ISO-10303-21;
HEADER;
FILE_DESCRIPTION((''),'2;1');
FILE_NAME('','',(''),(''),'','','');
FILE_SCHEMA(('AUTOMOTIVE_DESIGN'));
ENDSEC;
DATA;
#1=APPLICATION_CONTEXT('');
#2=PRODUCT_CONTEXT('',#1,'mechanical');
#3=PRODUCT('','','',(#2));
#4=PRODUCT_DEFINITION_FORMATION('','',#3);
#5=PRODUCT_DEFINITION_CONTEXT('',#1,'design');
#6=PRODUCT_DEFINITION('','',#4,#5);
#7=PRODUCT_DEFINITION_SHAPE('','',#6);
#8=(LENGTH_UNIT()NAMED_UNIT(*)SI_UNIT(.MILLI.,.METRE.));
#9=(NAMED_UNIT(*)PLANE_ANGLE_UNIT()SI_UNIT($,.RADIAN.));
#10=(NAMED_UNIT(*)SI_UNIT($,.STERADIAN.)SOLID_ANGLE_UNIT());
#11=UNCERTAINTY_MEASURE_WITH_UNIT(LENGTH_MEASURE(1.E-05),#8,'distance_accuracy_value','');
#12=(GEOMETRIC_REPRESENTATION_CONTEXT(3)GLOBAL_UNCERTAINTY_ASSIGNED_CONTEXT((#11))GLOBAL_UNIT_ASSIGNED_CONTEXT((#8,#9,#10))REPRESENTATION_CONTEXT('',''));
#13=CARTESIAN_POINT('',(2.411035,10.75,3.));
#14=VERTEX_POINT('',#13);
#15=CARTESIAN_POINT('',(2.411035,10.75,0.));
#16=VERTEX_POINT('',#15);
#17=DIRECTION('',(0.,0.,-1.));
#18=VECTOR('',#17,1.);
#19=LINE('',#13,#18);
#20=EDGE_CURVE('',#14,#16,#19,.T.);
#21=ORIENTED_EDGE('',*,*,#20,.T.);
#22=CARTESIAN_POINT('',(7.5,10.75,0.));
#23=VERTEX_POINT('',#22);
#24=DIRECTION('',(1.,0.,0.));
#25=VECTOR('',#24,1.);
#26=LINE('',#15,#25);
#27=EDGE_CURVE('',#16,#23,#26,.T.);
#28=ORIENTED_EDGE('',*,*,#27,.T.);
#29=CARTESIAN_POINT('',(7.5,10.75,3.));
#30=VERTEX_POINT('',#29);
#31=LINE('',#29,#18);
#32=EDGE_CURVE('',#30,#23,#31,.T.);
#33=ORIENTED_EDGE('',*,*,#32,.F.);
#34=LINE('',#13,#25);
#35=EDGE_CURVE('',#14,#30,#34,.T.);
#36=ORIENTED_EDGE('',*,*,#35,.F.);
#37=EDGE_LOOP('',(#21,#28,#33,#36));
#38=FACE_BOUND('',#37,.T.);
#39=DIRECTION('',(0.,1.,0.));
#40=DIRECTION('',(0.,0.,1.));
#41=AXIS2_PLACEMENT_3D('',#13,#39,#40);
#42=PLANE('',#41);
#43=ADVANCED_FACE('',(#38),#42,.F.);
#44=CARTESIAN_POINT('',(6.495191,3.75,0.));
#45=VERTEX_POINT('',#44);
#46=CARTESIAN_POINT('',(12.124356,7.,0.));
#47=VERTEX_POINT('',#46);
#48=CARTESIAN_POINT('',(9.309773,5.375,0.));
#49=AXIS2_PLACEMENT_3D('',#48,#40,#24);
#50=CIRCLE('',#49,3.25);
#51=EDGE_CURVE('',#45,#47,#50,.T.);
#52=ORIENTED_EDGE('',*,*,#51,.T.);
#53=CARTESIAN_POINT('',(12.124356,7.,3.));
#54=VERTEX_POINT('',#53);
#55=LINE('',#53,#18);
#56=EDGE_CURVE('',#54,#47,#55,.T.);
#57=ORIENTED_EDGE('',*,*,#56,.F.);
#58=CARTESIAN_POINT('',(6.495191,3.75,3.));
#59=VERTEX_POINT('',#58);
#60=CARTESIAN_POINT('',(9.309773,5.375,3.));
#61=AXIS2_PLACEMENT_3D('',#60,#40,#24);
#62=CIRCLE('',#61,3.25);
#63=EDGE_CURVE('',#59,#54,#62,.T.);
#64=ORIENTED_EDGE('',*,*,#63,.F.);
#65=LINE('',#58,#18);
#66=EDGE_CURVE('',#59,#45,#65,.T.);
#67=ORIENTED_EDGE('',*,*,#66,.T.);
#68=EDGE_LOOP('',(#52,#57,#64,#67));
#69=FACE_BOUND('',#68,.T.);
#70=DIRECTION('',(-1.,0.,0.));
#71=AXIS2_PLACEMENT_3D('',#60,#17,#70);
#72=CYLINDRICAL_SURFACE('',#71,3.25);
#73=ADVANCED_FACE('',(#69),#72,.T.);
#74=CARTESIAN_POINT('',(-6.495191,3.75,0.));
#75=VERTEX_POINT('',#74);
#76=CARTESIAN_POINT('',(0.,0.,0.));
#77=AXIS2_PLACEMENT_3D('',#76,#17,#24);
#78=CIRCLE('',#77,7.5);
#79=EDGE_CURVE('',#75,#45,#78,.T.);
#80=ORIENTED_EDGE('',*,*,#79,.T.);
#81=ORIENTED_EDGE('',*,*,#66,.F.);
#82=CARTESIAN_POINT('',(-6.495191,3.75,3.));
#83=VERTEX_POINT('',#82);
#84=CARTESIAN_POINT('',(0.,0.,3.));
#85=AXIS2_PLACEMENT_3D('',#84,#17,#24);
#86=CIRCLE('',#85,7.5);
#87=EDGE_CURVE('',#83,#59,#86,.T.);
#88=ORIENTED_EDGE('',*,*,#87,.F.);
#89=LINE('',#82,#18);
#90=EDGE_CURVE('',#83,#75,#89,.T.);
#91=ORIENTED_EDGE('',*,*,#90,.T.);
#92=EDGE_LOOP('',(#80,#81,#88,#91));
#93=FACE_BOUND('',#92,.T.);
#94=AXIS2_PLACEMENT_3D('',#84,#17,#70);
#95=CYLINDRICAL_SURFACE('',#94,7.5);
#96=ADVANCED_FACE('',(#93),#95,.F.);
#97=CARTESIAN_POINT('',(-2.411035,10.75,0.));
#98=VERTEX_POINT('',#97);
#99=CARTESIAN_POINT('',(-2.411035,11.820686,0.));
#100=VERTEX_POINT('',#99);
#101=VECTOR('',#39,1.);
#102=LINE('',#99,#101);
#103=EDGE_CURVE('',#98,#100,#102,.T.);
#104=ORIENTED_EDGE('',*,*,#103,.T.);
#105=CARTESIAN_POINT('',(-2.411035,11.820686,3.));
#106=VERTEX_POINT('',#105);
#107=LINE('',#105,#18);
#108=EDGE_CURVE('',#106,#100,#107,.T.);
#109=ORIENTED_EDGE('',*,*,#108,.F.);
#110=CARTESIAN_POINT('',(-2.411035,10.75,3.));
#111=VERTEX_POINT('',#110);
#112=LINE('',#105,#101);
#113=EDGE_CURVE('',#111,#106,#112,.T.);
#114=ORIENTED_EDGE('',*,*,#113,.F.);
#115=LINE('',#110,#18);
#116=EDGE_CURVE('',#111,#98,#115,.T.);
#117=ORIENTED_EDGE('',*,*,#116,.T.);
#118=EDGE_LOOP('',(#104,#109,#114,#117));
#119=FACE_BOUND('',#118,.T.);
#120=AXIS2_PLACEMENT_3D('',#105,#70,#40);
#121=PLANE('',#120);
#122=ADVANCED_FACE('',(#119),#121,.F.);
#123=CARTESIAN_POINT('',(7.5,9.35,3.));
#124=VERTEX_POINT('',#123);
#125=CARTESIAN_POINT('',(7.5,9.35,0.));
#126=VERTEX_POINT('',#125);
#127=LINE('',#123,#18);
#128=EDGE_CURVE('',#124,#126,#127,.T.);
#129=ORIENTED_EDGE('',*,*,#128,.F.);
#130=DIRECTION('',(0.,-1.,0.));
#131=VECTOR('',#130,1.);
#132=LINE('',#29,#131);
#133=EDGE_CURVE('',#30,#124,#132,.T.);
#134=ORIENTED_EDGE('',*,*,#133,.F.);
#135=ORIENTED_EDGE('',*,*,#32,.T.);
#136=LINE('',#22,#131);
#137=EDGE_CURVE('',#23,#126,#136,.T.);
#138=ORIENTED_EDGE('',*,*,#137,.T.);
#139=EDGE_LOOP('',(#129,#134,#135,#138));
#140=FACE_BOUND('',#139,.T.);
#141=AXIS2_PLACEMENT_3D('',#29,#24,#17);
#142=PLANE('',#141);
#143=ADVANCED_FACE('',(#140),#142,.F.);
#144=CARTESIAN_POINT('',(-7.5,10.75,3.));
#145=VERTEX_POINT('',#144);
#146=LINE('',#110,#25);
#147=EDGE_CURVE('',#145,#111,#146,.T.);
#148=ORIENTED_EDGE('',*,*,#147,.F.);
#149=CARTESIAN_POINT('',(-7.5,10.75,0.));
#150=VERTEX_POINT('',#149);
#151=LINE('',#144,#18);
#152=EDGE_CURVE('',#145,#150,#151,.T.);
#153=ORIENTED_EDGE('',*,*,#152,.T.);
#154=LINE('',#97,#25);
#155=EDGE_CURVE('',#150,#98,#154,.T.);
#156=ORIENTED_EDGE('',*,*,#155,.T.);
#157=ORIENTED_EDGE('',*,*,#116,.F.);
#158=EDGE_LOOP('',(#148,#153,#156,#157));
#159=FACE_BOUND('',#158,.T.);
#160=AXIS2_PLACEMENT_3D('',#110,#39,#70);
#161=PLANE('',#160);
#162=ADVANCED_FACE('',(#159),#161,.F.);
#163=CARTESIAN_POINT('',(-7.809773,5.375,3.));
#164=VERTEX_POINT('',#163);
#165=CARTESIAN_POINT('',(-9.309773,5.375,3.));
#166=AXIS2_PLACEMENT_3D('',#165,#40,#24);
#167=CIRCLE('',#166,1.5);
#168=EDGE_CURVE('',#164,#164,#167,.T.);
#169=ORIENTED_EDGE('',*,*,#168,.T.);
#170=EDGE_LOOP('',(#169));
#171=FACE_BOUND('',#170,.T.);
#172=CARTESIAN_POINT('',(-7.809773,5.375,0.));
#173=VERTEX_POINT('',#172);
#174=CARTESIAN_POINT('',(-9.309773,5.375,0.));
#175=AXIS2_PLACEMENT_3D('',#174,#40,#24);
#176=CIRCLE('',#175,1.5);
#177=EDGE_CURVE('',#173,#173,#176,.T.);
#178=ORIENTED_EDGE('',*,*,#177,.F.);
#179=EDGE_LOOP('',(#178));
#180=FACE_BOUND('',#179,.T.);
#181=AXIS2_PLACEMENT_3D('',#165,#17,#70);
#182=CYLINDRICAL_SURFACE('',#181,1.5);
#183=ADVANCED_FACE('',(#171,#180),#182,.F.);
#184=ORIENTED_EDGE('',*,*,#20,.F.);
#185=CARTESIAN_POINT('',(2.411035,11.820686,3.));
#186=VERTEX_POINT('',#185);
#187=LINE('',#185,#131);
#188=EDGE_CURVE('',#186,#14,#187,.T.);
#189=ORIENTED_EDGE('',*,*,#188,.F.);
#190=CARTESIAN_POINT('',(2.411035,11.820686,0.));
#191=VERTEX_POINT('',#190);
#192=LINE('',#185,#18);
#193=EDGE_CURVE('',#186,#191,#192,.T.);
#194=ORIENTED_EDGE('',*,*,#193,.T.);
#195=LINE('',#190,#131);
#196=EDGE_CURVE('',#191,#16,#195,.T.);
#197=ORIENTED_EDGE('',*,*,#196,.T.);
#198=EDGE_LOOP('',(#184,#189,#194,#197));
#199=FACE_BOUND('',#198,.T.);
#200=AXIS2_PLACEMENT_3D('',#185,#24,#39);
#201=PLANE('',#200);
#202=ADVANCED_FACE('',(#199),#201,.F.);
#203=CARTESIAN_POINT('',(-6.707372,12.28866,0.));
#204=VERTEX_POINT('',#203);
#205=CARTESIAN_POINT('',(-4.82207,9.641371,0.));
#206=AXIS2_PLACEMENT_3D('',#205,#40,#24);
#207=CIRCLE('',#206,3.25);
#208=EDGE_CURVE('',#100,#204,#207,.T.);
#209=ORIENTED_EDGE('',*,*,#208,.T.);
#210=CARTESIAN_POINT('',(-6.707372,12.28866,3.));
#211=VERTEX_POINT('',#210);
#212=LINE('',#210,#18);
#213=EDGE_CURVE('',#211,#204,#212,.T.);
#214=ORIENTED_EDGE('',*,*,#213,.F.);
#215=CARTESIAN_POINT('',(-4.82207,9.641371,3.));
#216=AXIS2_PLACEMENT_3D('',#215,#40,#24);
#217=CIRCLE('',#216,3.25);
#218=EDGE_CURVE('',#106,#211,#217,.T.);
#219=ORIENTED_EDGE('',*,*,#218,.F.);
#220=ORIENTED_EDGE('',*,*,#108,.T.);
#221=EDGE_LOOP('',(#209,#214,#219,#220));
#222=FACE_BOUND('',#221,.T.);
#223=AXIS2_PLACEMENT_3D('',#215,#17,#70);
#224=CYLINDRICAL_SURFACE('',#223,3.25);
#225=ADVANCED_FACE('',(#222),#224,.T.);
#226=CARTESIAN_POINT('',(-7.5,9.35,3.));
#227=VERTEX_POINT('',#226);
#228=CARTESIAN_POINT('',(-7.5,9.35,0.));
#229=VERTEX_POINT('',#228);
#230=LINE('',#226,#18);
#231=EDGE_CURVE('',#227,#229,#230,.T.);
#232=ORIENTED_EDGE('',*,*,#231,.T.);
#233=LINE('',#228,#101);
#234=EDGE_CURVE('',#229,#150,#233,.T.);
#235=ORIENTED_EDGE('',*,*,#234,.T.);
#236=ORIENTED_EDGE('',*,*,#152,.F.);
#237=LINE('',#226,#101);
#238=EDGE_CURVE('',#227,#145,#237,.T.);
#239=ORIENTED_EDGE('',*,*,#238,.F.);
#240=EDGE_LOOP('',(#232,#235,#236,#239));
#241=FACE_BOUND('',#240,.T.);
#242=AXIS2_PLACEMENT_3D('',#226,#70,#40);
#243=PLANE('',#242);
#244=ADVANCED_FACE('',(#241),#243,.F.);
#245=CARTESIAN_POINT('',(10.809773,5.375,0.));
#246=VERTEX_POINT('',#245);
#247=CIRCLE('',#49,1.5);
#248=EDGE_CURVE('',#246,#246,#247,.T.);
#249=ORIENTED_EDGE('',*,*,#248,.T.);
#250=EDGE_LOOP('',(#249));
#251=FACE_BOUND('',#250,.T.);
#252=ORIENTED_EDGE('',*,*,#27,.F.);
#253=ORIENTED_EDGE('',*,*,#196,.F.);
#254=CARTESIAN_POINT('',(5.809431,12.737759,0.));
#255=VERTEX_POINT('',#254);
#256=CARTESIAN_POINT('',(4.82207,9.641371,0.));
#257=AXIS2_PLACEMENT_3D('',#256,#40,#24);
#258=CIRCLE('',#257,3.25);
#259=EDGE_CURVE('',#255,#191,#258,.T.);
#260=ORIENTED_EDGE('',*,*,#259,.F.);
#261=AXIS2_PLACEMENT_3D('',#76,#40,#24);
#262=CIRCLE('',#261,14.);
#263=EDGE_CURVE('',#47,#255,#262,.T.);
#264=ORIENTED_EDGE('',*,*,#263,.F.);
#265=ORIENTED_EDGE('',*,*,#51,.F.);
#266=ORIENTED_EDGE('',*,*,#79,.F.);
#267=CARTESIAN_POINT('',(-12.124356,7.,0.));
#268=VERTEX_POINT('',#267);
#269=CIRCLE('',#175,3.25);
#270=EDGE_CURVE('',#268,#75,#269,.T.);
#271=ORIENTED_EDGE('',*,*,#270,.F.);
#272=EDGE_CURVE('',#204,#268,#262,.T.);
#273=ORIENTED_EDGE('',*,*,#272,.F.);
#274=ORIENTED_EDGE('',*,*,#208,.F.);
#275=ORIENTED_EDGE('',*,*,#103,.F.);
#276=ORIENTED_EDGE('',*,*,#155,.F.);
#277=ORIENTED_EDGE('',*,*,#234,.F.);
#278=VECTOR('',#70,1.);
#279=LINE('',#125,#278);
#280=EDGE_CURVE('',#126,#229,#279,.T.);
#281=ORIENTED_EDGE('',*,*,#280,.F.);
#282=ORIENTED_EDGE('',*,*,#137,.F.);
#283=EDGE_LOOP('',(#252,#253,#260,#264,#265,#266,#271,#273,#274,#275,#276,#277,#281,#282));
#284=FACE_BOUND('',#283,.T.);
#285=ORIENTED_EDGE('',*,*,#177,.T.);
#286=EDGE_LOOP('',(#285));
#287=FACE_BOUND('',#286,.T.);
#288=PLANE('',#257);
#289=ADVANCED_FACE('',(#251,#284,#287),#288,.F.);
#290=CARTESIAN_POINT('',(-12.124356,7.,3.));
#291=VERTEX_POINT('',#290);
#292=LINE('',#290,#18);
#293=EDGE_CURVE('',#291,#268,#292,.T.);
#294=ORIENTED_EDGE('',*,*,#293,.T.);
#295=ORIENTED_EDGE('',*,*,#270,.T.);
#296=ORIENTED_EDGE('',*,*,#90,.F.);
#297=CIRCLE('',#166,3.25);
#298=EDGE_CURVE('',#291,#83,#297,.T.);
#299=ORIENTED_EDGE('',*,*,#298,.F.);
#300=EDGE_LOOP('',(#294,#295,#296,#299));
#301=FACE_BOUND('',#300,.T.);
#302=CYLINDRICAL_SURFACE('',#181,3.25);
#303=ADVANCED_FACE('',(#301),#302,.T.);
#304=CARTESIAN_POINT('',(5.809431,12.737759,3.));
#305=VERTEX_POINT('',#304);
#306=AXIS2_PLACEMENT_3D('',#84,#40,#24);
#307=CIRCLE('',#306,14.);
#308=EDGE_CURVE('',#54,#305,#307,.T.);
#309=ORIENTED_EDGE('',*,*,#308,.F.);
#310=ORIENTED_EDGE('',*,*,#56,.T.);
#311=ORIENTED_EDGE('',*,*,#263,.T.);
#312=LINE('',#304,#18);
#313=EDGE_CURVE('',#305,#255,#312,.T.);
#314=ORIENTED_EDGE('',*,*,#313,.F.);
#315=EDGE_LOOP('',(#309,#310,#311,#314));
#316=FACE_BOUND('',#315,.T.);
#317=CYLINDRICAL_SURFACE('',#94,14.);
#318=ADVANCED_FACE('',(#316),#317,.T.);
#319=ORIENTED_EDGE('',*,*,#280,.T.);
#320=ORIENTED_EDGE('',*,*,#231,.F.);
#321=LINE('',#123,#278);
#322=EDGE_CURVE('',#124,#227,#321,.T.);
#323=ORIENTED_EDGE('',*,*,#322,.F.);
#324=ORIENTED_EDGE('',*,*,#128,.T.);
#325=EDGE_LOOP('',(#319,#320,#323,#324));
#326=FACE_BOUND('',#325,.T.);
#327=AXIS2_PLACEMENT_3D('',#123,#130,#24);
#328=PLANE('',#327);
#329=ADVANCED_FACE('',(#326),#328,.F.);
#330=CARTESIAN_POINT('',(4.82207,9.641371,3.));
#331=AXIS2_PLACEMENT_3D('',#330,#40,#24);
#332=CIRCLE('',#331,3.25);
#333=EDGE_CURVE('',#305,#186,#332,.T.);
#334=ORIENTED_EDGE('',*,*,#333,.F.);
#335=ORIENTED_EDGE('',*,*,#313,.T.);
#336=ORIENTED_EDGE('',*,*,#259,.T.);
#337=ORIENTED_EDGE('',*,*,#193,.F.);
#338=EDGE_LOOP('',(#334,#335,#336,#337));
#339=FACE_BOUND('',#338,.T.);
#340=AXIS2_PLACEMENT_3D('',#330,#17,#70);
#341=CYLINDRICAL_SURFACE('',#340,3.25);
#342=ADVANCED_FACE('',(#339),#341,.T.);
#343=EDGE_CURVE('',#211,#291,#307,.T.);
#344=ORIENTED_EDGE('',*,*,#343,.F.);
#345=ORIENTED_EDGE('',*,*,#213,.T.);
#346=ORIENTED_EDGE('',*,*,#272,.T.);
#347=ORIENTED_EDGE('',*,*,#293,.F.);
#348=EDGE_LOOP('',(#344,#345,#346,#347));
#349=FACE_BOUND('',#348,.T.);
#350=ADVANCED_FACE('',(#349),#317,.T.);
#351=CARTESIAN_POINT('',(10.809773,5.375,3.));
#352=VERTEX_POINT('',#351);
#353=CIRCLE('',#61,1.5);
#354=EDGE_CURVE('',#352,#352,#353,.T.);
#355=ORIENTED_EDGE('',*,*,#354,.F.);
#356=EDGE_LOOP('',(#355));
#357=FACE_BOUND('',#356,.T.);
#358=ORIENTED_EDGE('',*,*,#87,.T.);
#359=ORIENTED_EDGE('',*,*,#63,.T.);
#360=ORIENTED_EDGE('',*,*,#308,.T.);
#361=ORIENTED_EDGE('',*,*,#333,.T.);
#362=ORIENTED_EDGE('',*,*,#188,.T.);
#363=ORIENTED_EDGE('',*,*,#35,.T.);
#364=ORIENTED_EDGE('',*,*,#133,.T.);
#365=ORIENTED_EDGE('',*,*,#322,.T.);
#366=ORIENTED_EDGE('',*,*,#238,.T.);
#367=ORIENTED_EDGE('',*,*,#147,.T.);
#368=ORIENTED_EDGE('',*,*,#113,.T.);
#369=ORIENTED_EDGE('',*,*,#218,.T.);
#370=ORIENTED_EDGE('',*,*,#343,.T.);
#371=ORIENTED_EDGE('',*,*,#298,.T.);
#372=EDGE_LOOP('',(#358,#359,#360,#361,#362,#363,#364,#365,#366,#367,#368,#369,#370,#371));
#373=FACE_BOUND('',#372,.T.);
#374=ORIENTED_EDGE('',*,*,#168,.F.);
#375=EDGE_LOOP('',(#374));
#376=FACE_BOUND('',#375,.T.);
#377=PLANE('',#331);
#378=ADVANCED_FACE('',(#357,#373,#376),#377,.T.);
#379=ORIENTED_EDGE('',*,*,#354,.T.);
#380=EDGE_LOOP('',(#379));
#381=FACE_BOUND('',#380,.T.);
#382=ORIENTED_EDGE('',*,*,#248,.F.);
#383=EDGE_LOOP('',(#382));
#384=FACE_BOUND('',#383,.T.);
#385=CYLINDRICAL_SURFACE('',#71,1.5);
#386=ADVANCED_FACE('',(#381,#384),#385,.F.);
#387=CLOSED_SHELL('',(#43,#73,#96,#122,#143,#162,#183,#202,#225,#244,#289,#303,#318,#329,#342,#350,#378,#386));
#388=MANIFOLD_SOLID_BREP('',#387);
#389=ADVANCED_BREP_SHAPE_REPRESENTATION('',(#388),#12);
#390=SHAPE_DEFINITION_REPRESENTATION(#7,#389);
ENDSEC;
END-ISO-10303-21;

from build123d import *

# Parameters (mm, degrees)
ESQUISSE1_R        = 1.5
BOSS_EXTRU_2_DEPTH = 3


with BuildPart() as part:
    # Esquisse1 → Boss.-Extru.2 (new body)
    with BuildSketch(Plane.XY):
        with BuildLine():
            Line((-2.411034891, 11.820685714), (-2.411034891, 10.75))
            Line((-2.411034891, 10.75), (-7.5, 10.75))
            Line((-7.5, 10.75), (-7.5, 9.35))
            Line((-7.5, 9.35), (7.5, 9.35))
            Line((7.5, 9.35), (7.5, 10.75))
            Line((7.5, 10.75), (2.411034891, 10.75))
            Line((2.411034891, 10.75), (2.411034891, 11.820685714))
            ThreePointArc((2.411034891, 11.820685714), (3.975330286, 12.779130538), (5.80943088, 12.737759334))
            ThreePointArc((5.80943088, 12.737759334), (9.414650572, 10.36167721), (12.124355653, 7))
            ThreePointArc((12.124355653, 7), (10.934773091, 2.560417438), (6.495190528, 3.75))
            ThreePointArc((6.495190528, 3.75), (0, 7.5), (-6.495190528, 3.75))
            ThreePointArc((-6.495190528, 3.75), (-10.934773091, 2.560417438), (-12.124355653, 7))
            ThreePointArc((-12.124355653, 7), (-9.780131311, 10.017436376), (-6.707371512, 12.288660114))
            ThreePointArc((-6.707371512, 12.288660114), (-4.47014813, 12.872261577), (-2.411034891, 11.820685714))
        make_face()
        with Locations((9.309773091, 5.375)):
            Circle(ESQUISSE1_R, mode=Mode.SUBTRACT)
        with Locations((-9.309773091, 5.375)):
            Circle(ESQUISSE1_R, mode=Mode.SUBTRACT)
    extrude(amount=BOSS_EXTRU_2_DEPTH)


solid = part.part
